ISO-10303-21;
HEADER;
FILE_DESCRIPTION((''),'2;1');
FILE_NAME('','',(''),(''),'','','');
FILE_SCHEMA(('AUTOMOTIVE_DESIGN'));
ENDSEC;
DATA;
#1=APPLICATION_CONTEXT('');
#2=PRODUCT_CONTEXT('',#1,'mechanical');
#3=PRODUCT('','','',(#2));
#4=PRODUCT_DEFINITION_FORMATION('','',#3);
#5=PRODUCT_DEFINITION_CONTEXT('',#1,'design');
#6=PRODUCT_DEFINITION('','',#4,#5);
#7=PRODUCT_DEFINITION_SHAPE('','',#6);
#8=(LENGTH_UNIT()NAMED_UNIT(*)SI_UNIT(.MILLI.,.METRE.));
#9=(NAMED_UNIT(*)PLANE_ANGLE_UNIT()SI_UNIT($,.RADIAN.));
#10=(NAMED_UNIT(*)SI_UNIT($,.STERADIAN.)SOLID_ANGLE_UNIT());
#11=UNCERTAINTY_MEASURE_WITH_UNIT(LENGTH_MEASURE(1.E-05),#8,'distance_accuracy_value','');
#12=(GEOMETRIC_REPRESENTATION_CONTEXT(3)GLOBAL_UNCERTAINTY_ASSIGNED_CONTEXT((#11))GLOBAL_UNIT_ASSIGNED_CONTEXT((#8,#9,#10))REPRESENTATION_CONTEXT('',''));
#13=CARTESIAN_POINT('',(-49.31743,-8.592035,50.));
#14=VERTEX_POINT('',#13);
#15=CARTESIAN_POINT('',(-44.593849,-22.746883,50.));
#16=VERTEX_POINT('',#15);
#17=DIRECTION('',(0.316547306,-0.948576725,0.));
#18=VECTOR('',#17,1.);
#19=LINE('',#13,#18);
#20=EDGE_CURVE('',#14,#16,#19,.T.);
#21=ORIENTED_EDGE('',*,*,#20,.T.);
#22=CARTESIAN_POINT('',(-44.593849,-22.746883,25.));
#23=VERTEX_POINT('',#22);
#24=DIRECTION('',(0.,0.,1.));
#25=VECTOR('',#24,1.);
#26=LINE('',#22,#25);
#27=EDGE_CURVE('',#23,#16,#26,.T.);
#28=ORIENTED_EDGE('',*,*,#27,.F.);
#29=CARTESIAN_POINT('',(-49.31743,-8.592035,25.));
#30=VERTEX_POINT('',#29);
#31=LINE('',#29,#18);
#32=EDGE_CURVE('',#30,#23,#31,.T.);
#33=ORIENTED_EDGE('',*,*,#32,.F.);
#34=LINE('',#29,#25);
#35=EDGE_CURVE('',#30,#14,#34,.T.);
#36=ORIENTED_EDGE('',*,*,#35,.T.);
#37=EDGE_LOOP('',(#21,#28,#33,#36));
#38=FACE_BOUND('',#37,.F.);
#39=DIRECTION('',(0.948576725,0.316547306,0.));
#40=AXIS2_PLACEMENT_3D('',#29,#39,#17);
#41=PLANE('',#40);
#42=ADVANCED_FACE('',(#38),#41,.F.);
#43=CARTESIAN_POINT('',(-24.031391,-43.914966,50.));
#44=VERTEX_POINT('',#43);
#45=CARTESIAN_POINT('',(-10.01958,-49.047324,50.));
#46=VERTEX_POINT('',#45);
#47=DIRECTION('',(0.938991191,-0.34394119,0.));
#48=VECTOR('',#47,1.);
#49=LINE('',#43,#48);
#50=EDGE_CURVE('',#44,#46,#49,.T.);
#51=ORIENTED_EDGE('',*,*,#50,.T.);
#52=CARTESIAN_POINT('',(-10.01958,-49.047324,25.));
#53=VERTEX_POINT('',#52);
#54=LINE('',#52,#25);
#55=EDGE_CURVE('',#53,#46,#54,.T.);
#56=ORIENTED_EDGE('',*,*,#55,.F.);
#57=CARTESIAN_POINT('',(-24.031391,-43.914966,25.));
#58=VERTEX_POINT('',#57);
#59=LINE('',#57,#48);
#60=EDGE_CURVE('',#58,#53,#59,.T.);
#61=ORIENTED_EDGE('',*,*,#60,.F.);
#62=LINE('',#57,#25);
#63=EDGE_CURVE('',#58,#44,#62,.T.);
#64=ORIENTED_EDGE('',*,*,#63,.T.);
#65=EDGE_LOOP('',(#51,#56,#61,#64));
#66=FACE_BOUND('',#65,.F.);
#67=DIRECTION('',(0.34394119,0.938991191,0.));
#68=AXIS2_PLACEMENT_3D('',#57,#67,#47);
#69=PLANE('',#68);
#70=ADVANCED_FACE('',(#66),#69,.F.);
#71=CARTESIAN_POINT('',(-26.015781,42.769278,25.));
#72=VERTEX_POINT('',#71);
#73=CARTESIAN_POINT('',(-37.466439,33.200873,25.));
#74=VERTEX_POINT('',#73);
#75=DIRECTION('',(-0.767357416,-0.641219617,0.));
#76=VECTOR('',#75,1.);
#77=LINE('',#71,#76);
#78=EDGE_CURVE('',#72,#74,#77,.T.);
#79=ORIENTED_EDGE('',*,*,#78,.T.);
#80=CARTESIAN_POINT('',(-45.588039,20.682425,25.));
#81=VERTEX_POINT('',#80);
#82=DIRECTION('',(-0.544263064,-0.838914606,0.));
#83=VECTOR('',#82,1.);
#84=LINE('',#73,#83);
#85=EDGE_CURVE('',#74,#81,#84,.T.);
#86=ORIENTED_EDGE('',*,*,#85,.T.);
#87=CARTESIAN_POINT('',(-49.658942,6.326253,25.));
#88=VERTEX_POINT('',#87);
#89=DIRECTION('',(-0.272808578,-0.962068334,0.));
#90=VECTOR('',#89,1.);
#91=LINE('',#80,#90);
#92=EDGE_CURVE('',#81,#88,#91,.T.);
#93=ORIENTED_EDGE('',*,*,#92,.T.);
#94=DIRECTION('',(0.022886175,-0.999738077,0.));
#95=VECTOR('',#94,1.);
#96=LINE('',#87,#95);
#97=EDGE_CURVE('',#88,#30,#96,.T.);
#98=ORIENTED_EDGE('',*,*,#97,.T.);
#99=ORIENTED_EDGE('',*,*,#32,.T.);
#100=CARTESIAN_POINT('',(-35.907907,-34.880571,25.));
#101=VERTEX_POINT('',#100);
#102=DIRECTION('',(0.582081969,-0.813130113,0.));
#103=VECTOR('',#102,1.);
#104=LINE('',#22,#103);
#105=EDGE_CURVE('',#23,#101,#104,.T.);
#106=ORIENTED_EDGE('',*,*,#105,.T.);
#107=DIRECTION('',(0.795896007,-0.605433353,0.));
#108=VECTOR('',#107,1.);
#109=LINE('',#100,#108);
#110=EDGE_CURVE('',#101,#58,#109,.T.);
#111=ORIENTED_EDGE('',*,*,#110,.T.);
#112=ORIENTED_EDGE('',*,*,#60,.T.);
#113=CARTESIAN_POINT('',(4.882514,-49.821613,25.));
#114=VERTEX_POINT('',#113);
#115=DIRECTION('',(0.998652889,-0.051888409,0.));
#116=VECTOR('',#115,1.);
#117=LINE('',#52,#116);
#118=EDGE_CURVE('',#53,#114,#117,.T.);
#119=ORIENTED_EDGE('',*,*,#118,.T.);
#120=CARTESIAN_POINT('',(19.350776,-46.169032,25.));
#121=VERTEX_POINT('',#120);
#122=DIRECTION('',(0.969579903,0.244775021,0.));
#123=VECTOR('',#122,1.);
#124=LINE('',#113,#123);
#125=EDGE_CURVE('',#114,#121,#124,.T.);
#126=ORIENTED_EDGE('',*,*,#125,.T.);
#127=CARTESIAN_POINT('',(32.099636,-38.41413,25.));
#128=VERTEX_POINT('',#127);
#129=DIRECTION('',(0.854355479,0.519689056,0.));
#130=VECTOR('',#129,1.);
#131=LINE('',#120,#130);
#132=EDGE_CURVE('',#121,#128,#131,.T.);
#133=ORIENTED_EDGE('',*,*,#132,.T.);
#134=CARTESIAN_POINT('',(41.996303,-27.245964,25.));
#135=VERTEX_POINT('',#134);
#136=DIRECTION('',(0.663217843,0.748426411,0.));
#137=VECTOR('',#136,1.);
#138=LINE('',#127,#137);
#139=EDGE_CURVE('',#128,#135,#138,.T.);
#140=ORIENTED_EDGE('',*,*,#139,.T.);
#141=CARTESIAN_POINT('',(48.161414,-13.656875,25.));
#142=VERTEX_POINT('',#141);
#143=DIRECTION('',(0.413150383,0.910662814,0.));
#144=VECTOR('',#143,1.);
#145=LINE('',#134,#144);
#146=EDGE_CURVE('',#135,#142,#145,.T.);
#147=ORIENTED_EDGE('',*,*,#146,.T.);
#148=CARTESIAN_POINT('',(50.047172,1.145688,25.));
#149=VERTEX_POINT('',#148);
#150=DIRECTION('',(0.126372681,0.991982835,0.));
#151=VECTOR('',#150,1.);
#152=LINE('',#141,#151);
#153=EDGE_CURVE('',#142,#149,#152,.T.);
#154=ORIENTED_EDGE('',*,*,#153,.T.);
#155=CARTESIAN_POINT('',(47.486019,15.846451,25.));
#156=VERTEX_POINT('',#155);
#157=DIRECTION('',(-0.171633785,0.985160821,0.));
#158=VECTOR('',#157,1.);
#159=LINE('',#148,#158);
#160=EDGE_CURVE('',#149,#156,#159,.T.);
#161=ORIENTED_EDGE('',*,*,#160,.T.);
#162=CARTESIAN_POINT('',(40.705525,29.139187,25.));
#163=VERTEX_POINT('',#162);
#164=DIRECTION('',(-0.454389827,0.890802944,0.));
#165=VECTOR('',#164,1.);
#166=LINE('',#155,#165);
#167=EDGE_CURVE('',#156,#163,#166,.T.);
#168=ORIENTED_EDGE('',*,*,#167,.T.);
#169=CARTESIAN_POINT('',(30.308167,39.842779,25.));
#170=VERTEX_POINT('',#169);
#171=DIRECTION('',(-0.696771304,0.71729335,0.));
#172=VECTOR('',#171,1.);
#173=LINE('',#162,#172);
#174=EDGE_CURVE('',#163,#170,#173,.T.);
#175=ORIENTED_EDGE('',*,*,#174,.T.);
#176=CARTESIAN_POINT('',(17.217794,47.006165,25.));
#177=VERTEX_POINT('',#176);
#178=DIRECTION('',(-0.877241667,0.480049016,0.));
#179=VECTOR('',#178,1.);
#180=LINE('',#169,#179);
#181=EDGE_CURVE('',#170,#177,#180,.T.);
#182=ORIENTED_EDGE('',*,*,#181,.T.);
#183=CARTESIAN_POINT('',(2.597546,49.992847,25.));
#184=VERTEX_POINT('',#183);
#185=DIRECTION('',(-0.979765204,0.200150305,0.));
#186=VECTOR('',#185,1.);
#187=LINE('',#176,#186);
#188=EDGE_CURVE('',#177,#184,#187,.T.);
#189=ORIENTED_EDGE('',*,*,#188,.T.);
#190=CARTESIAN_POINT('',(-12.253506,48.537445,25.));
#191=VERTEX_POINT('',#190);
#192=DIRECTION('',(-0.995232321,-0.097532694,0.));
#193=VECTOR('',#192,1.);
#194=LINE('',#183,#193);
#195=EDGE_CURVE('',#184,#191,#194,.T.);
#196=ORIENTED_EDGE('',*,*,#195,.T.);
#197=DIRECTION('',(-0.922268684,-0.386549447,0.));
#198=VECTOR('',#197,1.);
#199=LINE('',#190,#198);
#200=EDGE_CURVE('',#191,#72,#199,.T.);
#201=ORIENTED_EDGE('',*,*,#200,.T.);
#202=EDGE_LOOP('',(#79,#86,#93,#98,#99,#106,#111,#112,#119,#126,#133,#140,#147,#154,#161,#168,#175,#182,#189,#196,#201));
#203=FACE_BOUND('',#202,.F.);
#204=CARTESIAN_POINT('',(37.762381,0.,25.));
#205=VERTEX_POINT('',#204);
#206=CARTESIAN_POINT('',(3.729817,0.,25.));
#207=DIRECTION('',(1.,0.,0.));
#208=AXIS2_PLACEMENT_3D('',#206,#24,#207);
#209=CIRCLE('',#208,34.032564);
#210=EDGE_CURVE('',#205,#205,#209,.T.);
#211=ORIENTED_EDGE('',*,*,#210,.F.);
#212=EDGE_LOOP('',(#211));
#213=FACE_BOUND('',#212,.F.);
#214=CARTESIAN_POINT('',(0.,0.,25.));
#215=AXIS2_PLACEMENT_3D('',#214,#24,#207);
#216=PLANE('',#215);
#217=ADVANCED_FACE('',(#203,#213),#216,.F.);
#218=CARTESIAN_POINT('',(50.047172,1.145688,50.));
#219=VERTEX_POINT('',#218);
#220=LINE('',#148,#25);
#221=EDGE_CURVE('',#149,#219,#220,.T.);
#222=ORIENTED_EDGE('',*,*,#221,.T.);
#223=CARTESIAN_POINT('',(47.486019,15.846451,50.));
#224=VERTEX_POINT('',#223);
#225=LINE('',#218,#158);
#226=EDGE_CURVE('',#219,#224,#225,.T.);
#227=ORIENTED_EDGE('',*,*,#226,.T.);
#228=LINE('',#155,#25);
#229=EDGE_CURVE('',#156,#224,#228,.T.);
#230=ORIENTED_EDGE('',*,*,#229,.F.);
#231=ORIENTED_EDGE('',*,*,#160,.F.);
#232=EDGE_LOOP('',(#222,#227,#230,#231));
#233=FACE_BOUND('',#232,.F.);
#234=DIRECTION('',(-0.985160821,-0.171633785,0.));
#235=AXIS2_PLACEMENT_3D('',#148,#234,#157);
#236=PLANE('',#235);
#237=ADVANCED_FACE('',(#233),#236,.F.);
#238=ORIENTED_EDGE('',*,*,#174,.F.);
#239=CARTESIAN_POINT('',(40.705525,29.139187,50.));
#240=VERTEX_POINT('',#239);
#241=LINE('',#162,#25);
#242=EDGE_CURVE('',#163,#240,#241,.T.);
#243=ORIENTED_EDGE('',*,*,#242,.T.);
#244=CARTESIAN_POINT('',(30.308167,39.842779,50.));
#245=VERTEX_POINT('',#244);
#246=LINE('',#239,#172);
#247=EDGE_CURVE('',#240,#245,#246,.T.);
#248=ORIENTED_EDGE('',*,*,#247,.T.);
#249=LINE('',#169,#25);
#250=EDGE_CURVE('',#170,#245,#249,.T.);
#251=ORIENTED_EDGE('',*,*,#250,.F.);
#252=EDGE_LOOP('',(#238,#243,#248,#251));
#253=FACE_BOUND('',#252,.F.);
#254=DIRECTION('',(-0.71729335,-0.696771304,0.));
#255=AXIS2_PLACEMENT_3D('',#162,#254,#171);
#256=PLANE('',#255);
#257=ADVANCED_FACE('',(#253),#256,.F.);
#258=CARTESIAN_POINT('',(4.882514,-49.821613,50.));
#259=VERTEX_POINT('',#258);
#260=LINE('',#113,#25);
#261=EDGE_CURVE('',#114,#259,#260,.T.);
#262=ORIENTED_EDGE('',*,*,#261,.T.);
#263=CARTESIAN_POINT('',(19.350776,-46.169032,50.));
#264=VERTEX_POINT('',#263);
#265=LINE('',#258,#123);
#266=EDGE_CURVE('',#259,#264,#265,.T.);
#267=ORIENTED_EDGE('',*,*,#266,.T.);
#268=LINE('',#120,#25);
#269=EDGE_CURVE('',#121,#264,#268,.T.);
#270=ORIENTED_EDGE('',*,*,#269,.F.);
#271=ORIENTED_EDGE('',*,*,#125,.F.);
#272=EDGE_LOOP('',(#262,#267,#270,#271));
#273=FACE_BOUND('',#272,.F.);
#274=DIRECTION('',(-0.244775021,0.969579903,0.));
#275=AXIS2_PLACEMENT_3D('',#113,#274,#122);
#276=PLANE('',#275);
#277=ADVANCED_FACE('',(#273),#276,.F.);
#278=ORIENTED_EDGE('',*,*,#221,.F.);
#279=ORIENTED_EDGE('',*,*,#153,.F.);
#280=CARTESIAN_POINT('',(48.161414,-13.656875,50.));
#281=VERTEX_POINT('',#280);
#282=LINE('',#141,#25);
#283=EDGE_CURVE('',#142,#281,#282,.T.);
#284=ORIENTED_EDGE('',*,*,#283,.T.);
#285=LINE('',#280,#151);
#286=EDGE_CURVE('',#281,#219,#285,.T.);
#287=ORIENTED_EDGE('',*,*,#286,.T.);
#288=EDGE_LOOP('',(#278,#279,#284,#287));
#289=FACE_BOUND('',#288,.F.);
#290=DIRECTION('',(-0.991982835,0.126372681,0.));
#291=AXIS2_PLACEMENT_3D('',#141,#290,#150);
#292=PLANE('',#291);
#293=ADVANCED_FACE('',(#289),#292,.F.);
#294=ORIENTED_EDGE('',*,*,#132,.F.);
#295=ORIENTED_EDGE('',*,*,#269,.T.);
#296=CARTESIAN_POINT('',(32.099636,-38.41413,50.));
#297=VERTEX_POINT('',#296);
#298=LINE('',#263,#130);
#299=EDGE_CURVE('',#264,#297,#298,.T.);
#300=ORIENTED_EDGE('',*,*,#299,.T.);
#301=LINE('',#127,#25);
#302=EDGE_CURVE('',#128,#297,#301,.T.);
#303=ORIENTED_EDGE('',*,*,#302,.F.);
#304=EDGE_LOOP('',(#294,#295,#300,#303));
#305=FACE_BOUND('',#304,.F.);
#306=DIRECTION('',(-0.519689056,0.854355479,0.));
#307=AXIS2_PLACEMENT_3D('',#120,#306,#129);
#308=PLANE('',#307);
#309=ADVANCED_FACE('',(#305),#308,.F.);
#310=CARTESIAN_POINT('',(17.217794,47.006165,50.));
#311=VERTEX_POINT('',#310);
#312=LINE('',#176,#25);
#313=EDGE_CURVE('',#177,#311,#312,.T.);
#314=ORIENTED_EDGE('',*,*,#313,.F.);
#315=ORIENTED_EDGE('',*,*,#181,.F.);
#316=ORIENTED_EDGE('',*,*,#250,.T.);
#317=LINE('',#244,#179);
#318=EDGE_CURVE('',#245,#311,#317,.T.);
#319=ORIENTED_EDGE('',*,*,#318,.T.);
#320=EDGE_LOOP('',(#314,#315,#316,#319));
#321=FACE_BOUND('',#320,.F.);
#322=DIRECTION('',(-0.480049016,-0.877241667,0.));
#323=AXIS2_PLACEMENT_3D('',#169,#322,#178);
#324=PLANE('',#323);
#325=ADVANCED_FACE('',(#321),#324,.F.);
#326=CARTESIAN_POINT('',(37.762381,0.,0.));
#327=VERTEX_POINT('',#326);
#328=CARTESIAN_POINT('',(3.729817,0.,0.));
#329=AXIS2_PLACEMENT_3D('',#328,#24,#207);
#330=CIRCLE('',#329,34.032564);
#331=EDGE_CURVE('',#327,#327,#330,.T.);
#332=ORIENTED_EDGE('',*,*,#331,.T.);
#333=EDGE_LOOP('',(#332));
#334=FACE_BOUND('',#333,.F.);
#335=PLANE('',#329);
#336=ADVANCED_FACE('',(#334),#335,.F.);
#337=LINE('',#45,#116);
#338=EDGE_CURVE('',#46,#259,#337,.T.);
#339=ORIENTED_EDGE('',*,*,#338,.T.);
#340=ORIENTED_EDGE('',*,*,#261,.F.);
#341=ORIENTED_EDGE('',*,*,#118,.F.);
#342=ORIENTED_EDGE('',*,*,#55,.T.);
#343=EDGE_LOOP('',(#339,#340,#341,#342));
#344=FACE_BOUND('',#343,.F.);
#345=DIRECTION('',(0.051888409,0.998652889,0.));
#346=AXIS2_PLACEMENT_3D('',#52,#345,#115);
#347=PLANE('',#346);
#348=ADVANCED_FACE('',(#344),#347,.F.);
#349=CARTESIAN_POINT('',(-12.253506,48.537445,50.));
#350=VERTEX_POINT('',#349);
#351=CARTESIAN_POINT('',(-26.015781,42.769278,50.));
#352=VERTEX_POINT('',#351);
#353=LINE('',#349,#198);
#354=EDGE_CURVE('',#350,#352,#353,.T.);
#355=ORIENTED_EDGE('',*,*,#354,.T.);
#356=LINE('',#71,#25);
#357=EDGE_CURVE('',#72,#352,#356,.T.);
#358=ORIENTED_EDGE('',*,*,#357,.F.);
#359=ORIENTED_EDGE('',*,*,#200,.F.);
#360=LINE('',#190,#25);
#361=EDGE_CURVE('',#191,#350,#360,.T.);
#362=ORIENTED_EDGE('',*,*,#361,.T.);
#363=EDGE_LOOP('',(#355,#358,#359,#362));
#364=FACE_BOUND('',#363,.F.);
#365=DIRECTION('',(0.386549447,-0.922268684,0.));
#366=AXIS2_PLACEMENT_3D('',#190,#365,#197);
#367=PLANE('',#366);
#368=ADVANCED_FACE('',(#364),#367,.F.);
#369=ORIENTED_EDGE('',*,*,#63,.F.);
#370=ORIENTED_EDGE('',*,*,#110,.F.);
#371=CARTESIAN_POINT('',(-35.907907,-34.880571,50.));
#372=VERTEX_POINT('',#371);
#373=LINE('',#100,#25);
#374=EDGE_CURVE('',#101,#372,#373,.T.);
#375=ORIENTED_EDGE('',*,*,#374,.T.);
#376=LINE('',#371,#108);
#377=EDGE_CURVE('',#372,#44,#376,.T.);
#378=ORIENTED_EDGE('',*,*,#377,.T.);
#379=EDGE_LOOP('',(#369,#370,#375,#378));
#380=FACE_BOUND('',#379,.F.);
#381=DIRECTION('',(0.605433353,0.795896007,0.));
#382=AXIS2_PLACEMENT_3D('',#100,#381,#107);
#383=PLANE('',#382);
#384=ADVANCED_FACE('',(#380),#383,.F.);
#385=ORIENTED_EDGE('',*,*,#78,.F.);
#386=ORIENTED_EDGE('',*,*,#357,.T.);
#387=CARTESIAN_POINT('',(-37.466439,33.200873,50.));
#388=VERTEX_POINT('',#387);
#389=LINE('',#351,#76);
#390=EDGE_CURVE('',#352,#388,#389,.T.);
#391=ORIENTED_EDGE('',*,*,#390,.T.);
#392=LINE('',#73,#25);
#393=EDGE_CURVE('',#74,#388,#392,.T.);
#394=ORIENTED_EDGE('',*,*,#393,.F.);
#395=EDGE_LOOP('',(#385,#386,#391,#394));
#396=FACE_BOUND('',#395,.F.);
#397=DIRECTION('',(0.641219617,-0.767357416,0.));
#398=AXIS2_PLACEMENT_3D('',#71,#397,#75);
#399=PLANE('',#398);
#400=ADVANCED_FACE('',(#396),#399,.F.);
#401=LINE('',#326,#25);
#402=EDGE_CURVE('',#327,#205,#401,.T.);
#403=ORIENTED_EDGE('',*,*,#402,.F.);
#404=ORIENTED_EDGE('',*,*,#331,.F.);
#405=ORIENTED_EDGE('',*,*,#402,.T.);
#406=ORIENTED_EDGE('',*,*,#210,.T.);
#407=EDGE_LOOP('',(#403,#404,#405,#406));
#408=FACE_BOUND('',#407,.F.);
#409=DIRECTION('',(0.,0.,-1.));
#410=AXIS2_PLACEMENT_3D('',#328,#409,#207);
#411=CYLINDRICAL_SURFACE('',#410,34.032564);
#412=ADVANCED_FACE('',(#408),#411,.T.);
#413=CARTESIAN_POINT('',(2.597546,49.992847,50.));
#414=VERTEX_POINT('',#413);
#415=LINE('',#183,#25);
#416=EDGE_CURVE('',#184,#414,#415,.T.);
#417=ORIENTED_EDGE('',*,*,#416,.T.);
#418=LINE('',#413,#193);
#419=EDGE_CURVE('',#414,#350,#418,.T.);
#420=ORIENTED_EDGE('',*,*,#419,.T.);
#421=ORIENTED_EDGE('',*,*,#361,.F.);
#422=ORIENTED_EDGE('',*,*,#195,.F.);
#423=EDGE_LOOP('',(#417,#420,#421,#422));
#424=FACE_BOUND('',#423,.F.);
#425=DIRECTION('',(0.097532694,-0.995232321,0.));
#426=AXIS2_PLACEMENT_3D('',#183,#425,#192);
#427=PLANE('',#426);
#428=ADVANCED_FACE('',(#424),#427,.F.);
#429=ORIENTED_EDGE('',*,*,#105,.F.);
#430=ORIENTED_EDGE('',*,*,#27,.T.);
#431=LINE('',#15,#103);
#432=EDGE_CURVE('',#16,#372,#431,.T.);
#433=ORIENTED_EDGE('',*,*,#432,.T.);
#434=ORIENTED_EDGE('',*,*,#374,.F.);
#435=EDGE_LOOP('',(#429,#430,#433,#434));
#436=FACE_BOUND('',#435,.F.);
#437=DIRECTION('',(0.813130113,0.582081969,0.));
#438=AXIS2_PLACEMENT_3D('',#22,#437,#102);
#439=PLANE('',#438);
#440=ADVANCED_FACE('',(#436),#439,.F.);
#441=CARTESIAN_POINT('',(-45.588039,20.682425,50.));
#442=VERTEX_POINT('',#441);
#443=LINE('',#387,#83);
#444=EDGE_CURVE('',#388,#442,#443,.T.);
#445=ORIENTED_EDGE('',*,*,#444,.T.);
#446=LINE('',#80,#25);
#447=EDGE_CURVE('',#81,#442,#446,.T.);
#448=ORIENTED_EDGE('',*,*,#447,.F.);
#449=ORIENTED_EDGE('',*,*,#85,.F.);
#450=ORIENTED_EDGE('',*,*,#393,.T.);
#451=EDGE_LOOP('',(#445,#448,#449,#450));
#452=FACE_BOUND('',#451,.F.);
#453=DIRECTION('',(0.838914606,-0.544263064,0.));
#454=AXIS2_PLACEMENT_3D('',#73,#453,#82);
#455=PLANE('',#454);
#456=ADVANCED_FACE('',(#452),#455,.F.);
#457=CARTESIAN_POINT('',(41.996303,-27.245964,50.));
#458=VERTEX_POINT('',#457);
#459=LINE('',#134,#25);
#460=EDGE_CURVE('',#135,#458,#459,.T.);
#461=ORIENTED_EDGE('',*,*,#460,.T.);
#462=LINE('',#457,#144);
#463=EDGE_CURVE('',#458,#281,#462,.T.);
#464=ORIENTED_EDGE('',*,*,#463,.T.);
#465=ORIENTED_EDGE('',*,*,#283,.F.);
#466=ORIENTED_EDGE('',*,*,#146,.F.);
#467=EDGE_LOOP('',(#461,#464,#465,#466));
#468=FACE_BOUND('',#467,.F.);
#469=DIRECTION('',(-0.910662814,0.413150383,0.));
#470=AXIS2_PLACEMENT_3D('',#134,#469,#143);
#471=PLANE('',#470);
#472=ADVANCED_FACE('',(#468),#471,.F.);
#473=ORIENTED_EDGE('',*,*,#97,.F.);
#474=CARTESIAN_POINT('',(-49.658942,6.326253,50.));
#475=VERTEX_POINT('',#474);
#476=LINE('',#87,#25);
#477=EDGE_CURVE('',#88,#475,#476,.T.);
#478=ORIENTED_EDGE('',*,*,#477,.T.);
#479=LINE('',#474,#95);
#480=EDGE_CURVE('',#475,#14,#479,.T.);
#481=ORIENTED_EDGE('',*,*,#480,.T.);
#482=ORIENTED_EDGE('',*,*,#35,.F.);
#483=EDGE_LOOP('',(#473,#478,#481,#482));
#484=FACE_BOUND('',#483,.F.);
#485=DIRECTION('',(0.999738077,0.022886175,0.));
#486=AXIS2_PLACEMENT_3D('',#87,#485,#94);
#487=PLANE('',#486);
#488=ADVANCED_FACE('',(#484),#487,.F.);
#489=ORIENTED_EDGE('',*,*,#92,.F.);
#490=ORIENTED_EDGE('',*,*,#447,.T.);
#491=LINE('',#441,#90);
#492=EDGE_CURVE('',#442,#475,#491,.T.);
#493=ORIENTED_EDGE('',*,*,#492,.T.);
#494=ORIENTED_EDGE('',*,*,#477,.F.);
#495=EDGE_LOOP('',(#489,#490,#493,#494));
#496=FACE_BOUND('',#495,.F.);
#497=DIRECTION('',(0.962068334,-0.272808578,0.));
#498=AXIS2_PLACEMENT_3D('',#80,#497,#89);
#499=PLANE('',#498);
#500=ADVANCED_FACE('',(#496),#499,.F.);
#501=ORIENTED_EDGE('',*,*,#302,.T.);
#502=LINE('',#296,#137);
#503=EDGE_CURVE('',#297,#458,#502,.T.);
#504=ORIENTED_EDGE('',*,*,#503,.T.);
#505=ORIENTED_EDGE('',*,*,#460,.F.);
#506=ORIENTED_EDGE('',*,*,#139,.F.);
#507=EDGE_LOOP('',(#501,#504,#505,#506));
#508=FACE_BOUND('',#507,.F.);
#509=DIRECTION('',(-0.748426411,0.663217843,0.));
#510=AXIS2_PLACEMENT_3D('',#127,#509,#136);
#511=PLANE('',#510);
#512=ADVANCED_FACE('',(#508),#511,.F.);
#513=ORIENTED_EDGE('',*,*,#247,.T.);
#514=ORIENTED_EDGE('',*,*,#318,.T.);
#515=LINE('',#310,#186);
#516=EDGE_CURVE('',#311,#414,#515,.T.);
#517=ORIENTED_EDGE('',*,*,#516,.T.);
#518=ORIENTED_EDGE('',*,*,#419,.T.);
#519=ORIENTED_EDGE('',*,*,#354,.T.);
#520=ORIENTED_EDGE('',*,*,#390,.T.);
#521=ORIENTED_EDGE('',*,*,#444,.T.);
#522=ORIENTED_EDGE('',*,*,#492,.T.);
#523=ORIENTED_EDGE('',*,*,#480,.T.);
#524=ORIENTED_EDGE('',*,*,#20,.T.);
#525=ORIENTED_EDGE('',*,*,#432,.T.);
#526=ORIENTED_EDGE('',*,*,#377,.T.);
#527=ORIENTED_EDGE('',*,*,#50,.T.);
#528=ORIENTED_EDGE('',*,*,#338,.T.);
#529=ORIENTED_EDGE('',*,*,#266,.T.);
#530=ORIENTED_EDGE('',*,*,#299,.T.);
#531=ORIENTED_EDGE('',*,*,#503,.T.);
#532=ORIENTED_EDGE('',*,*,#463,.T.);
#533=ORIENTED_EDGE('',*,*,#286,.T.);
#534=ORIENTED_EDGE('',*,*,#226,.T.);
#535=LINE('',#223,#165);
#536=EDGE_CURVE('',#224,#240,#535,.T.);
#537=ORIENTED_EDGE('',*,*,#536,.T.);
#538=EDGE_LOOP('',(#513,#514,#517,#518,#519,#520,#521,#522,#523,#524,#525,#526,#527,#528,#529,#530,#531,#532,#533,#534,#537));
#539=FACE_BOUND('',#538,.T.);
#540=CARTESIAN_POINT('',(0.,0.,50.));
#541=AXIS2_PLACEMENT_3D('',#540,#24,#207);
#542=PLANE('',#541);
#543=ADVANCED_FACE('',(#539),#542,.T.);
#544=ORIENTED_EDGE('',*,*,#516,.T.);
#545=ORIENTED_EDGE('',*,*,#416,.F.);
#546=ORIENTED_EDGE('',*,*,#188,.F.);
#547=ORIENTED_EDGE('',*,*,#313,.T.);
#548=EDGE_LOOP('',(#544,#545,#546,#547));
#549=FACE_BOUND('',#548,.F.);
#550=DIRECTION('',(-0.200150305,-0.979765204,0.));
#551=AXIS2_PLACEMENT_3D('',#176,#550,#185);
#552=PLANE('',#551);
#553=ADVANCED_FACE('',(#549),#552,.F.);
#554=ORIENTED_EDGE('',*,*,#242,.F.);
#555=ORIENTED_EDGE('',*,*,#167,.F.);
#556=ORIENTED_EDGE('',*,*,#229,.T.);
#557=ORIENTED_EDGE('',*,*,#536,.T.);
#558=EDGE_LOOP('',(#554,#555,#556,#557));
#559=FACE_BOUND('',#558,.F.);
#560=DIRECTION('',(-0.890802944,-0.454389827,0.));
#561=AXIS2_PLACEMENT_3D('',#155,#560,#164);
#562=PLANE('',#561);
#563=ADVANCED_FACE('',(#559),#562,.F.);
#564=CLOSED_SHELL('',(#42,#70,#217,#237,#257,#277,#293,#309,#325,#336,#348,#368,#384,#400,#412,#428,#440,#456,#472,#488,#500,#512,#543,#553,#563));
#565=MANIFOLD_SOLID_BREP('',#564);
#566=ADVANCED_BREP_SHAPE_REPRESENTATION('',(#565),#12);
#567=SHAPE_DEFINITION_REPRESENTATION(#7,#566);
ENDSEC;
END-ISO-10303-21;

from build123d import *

# Parameters (mm, degrees)
F0_R     = 34.032564
F1_DEPTH = 25
F3_DEPTH = 25


with BuildPart() as f1:
    # F0 (on Top) → F1 (new body)
    with BuildSketch(Plane.XY):
        with Locations((3.729817, 0)):
            Circle(F0_R)
    extrude(amount=F1_DEPTH)

    # F2 (on face) → F3 (join)
    with BuildSketch(Plane.XY.offset(25)):
        Polygon((2.597546, 49.992847), (-12.253506, 48.537445), (-26.015781, 42.769278), (-37.466439, 33.200873), (-45.588039, 20.682425), (-49.658942, 6.326253), (-49.31743, -8.592035), (-44.593849, -22.746883), (-35.907907, -34.880571), (-24.031391, -43.914966), (-10.01958, -49.047324), (4.882514, -49.821613), (19.350776, -46.169032), (32.099636, -38.41413), (41.996303, -27.245964), (48.161414, -13.656875), (50.047172, 1.145688), (47.486019, 15.846451), (40.705525, 29.139187), (30.308167, 39.842779), (17.217794, 47.006165), align=None)
    extrude(amount=F3_DEPTH)


solid = f1.part
